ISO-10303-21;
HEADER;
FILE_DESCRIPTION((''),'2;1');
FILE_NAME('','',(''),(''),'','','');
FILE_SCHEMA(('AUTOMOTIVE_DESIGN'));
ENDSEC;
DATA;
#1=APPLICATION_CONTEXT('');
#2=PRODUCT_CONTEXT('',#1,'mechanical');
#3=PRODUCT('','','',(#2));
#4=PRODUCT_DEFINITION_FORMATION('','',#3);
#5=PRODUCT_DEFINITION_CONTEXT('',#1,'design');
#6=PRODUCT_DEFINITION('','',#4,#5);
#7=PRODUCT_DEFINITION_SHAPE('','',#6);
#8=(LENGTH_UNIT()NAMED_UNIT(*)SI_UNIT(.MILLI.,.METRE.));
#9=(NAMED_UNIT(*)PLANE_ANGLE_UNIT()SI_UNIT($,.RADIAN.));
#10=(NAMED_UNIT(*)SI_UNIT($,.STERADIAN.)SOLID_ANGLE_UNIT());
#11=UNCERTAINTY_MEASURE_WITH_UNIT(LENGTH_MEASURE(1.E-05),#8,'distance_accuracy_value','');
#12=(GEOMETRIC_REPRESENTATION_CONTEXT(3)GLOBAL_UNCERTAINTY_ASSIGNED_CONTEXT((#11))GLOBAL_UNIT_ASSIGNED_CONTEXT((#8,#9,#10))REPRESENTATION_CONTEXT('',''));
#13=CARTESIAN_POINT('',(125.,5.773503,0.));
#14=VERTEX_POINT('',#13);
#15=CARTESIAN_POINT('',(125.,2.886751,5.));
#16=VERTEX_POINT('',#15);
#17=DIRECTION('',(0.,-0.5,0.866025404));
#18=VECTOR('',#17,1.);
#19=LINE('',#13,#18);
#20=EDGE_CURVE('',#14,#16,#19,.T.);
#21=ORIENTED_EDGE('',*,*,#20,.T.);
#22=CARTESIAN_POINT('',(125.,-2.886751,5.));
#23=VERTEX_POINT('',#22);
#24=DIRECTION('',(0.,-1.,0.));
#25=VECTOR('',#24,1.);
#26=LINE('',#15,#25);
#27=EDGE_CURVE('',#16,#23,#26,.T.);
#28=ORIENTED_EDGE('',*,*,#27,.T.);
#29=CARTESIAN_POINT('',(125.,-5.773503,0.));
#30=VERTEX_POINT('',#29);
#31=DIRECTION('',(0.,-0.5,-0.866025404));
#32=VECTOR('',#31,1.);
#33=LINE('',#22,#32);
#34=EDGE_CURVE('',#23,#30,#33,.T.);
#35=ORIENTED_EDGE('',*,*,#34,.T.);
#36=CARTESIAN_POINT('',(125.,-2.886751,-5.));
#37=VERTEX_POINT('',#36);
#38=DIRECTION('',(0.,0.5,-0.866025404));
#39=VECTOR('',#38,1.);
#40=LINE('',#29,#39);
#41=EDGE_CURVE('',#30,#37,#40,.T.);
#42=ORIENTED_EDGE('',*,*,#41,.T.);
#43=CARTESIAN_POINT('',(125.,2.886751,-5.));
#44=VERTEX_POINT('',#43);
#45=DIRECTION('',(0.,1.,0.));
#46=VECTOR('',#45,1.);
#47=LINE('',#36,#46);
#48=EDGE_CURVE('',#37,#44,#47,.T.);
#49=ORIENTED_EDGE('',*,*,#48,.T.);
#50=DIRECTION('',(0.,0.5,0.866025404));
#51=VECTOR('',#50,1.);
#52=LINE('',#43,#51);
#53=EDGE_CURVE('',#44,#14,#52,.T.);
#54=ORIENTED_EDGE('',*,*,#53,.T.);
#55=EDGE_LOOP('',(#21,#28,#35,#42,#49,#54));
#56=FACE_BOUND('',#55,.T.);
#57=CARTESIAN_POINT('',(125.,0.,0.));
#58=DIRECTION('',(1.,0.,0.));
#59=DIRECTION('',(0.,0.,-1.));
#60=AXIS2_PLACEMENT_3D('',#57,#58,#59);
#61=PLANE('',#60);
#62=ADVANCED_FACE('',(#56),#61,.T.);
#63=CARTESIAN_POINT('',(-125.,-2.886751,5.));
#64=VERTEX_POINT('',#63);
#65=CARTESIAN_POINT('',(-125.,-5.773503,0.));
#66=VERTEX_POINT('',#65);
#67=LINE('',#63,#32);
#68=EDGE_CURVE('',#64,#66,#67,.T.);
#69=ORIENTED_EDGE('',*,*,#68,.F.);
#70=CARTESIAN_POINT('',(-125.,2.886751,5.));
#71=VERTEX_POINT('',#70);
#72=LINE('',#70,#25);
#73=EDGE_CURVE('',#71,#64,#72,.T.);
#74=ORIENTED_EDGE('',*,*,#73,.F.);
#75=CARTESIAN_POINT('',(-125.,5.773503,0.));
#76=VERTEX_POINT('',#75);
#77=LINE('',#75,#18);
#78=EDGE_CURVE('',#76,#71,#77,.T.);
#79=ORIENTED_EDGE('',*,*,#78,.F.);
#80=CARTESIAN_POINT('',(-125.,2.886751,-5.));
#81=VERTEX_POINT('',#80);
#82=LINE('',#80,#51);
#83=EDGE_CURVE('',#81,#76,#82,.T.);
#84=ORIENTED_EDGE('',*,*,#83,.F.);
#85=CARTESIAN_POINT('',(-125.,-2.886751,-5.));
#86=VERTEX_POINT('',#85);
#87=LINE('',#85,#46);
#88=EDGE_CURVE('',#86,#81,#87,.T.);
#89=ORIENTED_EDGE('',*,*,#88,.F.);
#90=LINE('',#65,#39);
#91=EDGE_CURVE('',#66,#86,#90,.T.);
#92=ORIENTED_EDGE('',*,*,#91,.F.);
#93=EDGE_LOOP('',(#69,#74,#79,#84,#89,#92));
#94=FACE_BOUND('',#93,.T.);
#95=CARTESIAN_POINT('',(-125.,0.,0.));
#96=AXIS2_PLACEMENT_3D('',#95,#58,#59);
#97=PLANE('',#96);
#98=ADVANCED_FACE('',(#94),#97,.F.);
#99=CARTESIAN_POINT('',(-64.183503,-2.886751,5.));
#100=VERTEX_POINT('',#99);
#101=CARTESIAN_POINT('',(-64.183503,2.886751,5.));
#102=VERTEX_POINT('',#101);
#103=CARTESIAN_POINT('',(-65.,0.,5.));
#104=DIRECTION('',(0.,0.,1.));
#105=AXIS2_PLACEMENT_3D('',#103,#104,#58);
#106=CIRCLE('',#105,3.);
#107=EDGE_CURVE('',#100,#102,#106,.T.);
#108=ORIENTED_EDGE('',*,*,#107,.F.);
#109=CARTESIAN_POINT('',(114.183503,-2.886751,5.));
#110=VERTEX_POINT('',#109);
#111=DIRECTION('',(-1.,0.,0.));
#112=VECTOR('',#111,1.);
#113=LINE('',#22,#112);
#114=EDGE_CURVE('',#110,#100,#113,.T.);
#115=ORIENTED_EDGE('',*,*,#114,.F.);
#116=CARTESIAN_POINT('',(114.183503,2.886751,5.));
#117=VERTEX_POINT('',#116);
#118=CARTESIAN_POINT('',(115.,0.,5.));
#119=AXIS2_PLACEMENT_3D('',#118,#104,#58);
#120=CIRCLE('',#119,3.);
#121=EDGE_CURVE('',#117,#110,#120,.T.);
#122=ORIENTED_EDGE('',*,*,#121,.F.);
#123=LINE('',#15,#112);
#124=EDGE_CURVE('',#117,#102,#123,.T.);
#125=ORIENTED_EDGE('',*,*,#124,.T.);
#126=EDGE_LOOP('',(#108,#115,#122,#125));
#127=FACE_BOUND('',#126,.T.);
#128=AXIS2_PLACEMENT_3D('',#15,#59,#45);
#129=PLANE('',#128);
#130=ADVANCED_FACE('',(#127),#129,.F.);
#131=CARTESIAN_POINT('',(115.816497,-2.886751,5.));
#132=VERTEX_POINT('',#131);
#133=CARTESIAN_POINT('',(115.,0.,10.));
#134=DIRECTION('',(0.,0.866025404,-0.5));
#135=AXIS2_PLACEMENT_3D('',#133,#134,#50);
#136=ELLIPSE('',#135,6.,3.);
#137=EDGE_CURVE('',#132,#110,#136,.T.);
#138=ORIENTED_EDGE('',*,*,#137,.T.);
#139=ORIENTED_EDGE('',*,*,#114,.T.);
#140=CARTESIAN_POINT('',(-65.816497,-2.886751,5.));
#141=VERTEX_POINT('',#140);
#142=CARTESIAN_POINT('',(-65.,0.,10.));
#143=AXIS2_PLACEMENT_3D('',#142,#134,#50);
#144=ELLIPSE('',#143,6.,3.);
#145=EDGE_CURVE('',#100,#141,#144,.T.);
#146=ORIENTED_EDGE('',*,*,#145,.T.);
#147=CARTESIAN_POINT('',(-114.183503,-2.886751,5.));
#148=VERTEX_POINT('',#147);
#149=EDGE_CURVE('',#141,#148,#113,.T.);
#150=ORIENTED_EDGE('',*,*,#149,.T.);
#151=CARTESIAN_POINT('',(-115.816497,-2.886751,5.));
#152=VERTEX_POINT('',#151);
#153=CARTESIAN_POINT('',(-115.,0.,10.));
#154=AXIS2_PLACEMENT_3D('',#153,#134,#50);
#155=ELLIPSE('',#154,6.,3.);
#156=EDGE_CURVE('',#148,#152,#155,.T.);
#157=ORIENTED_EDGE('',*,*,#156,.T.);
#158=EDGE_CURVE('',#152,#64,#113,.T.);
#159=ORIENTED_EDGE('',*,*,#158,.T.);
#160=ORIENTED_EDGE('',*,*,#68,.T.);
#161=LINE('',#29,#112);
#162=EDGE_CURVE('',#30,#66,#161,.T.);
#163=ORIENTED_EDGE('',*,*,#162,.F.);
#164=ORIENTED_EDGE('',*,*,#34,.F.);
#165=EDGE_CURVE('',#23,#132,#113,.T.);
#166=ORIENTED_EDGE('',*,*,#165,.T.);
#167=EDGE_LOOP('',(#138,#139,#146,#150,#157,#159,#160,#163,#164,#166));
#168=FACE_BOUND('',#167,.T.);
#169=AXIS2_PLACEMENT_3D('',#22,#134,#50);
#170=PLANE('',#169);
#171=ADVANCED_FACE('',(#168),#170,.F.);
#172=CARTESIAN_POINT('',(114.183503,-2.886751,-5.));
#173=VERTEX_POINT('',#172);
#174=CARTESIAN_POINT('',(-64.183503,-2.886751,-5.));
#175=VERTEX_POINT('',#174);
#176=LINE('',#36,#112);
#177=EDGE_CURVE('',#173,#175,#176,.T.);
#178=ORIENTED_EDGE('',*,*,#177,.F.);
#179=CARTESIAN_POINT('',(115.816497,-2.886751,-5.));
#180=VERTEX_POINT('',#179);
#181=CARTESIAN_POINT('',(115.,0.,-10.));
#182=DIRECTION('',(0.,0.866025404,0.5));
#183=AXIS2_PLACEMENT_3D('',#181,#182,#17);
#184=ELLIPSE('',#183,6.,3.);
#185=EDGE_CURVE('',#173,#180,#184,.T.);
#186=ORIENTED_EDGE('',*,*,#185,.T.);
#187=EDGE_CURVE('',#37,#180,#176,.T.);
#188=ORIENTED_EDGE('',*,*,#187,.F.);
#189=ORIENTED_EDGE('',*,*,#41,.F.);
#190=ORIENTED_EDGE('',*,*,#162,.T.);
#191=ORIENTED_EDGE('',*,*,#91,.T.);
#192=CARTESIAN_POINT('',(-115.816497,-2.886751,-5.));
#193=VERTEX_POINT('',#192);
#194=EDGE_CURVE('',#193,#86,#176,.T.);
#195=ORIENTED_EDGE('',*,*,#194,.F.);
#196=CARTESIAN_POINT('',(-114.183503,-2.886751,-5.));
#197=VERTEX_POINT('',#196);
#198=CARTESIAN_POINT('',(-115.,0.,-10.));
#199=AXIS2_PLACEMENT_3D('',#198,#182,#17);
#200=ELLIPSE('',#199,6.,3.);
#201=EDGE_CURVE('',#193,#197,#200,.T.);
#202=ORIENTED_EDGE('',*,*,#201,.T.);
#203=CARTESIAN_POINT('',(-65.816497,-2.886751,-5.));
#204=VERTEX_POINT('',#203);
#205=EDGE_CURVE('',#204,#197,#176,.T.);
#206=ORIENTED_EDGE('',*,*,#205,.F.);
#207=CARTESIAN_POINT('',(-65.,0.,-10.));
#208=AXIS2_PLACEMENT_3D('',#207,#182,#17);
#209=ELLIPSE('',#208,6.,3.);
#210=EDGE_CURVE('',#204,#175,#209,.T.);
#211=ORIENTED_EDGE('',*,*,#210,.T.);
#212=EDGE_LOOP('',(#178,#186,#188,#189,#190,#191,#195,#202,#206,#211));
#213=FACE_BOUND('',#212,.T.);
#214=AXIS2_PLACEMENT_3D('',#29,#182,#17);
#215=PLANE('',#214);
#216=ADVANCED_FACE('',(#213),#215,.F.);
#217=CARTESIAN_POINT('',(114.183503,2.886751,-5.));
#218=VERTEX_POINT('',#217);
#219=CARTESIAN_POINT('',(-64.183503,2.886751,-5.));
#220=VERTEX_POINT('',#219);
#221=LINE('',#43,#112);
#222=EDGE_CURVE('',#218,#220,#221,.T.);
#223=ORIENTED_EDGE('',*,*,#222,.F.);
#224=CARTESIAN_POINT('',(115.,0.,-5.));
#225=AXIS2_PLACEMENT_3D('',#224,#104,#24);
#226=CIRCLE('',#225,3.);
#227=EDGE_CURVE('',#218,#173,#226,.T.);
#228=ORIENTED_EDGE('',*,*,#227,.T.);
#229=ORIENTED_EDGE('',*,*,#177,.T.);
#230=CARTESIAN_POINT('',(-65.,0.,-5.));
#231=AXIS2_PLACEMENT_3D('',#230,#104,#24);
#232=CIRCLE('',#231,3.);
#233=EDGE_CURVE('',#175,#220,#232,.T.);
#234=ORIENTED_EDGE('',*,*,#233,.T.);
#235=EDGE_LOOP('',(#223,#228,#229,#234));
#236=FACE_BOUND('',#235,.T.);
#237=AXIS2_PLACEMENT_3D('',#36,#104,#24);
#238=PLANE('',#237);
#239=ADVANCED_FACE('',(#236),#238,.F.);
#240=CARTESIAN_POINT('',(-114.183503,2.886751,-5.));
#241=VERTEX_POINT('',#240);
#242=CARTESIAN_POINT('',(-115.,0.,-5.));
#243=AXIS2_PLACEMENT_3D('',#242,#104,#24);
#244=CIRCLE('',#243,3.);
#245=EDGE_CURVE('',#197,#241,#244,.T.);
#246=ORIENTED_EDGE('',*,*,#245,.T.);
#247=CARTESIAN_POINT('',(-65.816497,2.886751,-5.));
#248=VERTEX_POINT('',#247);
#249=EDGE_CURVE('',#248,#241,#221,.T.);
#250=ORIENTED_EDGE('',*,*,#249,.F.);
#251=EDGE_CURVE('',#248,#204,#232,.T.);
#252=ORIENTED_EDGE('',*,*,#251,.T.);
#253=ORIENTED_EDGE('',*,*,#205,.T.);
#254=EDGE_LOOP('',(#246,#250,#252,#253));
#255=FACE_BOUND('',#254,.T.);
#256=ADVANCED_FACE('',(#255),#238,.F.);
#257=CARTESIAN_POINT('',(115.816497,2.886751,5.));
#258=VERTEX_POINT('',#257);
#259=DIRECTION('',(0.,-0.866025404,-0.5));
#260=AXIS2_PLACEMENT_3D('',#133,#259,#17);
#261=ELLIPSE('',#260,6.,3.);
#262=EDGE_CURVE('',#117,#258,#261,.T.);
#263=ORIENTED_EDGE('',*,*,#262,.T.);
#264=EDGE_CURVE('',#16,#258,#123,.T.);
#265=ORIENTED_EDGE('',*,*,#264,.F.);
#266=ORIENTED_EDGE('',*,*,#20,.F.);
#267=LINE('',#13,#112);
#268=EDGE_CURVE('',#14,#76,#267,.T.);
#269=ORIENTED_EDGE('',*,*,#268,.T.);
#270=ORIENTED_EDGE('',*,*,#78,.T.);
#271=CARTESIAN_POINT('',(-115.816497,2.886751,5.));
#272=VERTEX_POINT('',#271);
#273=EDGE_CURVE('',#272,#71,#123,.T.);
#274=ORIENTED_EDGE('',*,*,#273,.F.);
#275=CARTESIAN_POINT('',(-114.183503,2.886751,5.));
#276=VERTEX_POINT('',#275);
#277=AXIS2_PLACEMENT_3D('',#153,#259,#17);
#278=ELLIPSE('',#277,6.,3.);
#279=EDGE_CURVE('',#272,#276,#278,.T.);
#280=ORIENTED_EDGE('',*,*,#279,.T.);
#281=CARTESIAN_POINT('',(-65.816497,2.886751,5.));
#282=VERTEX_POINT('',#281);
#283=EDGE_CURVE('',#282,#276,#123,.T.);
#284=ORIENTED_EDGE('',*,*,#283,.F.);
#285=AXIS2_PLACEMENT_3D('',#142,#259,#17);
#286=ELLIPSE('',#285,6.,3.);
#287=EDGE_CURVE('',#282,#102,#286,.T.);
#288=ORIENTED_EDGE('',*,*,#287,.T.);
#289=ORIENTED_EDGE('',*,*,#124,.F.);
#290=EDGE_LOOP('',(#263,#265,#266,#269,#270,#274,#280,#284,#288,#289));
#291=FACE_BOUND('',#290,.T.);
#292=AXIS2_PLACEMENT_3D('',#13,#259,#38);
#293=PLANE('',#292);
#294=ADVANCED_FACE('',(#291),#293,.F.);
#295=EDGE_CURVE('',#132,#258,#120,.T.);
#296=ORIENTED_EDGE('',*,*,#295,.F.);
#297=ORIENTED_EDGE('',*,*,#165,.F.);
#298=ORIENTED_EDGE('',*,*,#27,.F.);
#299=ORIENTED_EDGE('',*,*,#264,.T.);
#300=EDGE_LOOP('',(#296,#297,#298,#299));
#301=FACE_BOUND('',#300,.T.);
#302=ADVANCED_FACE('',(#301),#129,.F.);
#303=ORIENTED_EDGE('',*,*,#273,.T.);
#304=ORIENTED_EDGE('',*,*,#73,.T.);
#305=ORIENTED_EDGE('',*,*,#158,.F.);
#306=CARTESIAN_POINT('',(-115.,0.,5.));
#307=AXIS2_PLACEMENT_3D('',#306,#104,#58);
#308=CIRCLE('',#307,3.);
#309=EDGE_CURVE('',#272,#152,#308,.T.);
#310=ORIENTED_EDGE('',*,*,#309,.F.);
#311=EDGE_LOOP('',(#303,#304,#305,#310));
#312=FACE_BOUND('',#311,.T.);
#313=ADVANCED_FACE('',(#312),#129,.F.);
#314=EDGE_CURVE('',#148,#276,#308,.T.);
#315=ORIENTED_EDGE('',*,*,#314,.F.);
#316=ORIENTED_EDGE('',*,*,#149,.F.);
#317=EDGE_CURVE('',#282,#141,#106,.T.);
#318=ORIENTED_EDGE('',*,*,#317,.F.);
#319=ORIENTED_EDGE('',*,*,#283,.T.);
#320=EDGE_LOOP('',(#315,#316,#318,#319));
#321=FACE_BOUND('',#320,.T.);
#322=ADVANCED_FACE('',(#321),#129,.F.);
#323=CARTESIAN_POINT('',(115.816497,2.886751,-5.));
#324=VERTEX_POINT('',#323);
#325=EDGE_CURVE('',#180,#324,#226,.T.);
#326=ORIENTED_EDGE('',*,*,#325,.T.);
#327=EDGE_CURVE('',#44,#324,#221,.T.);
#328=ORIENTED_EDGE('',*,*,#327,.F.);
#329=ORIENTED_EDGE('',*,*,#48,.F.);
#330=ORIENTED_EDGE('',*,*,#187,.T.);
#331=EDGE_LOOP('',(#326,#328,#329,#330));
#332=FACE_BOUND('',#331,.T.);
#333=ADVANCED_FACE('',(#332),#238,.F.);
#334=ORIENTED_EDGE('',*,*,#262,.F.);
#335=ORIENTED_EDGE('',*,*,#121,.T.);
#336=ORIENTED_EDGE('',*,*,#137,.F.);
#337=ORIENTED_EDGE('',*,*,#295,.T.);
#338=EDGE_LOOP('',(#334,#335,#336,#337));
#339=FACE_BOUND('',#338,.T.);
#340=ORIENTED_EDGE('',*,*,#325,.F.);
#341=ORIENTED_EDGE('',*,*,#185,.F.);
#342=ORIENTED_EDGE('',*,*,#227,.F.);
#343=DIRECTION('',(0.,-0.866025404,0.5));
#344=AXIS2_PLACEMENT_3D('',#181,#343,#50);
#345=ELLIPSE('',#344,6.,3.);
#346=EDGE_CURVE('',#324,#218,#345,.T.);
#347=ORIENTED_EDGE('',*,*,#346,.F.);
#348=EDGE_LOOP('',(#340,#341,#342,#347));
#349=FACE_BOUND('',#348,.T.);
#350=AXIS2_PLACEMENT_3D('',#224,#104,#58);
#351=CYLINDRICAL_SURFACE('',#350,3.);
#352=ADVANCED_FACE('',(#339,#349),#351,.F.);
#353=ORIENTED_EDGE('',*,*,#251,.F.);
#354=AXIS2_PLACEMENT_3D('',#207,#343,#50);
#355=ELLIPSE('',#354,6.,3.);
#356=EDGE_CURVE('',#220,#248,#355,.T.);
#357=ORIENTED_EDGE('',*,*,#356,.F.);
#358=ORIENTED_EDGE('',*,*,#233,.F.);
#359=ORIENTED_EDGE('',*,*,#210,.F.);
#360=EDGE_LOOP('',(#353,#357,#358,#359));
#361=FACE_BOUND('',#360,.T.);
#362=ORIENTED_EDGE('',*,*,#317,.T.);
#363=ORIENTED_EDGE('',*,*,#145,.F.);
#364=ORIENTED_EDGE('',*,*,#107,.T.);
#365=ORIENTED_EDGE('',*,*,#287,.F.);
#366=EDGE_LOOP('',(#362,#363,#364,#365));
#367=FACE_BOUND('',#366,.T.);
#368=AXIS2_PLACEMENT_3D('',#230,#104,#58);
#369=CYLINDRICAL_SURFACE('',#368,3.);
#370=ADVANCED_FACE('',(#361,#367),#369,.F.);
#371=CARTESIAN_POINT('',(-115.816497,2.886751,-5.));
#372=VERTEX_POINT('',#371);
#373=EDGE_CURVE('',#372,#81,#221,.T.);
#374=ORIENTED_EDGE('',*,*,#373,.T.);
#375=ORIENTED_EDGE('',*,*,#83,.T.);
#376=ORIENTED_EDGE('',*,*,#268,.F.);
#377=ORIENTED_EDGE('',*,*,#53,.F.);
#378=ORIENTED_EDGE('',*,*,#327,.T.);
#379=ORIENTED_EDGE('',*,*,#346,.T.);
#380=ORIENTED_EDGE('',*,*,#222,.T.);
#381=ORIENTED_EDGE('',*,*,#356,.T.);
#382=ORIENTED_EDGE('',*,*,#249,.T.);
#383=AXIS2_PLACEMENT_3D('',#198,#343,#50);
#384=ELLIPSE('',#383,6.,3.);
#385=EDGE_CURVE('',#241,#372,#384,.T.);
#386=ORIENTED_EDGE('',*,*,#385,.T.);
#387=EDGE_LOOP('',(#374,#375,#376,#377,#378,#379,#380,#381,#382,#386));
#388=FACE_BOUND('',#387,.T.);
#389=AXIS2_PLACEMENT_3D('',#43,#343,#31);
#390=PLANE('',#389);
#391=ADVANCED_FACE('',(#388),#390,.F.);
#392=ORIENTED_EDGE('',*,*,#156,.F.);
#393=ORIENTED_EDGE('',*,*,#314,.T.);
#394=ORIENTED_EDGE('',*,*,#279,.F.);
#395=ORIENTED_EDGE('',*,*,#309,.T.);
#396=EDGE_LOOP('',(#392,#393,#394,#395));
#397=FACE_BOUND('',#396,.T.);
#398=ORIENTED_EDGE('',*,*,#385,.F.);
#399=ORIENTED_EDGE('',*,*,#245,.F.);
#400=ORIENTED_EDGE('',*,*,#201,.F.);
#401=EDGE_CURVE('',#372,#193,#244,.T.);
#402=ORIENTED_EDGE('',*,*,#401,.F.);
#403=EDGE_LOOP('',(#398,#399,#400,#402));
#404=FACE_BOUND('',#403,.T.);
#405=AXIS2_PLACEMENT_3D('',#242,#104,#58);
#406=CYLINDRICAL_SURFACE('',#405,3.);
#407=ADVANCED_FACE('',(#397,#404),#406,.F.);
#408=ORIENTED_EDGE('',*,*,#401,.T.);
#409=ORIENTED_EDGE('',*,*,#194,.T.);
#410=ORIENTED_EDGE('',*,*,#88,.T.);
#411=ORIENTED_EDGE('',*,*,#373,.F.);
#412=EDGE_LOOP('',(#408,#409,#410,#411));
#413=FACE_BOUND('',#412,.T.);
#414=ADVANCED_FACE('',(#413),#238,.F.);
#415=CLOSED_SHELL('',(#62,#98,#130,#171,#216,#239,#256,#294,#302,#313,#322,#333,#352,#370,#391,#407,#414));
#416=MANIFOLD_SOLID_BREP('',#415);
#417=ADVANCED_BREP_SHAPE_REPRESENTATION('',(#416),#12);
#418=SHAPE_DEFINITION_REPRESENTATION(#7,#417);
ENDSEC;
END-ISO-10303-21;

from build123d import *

# Parameters (mm, degrees)
BOSS_EXTRUDE1_DEPTH     = 125
SKETCH2_R               = 3
CUT_EXTRUDE1_DEPTH      = 6
CUT_EXTRUDE1_DEPTH_BACK = 6


with BuildPart() as part:
    # Sketch1 → Boss-Extrude1 (new body, symmetric)
    with BuildSketch(Plane(origin=(0, 0, 0), x_dir=(0, 0, -1), z_dir=(1, 0, 0))):
        Polygon((0, 5.773502692), (-5, 2.886751346), (-5, -2.886751346), (0, -5.773502692), (5, -2.886751346), (5, 2.886751346), align=None)
    extrude(amount=BOSS_EXTRUDE1_DEPTH, both=True)

    # Sketch2 → Cut-Extrude1 (cut, two sides)
    with BuildSketch(Plane.XY) as cut_extrude1_sk:
        with Locations((115, 0)):
            Circle(SKETCH2_R)
        with Locations((-115, 0)):
            Circle(SKETCH2_R)
        with Locations((-65, 0)):
            Circle(SKETCH2_R)
    extrude(amount=CUT_EXTRUDE1_DEPTH, mode=Mode.SUBTRACT)
    extrude(cut_extrude1_sk.sketch, amount=-CUT_EXTRUDE1_DEPTH_BACK, mode=Mode.SUBTRACT)


solid = part.part
